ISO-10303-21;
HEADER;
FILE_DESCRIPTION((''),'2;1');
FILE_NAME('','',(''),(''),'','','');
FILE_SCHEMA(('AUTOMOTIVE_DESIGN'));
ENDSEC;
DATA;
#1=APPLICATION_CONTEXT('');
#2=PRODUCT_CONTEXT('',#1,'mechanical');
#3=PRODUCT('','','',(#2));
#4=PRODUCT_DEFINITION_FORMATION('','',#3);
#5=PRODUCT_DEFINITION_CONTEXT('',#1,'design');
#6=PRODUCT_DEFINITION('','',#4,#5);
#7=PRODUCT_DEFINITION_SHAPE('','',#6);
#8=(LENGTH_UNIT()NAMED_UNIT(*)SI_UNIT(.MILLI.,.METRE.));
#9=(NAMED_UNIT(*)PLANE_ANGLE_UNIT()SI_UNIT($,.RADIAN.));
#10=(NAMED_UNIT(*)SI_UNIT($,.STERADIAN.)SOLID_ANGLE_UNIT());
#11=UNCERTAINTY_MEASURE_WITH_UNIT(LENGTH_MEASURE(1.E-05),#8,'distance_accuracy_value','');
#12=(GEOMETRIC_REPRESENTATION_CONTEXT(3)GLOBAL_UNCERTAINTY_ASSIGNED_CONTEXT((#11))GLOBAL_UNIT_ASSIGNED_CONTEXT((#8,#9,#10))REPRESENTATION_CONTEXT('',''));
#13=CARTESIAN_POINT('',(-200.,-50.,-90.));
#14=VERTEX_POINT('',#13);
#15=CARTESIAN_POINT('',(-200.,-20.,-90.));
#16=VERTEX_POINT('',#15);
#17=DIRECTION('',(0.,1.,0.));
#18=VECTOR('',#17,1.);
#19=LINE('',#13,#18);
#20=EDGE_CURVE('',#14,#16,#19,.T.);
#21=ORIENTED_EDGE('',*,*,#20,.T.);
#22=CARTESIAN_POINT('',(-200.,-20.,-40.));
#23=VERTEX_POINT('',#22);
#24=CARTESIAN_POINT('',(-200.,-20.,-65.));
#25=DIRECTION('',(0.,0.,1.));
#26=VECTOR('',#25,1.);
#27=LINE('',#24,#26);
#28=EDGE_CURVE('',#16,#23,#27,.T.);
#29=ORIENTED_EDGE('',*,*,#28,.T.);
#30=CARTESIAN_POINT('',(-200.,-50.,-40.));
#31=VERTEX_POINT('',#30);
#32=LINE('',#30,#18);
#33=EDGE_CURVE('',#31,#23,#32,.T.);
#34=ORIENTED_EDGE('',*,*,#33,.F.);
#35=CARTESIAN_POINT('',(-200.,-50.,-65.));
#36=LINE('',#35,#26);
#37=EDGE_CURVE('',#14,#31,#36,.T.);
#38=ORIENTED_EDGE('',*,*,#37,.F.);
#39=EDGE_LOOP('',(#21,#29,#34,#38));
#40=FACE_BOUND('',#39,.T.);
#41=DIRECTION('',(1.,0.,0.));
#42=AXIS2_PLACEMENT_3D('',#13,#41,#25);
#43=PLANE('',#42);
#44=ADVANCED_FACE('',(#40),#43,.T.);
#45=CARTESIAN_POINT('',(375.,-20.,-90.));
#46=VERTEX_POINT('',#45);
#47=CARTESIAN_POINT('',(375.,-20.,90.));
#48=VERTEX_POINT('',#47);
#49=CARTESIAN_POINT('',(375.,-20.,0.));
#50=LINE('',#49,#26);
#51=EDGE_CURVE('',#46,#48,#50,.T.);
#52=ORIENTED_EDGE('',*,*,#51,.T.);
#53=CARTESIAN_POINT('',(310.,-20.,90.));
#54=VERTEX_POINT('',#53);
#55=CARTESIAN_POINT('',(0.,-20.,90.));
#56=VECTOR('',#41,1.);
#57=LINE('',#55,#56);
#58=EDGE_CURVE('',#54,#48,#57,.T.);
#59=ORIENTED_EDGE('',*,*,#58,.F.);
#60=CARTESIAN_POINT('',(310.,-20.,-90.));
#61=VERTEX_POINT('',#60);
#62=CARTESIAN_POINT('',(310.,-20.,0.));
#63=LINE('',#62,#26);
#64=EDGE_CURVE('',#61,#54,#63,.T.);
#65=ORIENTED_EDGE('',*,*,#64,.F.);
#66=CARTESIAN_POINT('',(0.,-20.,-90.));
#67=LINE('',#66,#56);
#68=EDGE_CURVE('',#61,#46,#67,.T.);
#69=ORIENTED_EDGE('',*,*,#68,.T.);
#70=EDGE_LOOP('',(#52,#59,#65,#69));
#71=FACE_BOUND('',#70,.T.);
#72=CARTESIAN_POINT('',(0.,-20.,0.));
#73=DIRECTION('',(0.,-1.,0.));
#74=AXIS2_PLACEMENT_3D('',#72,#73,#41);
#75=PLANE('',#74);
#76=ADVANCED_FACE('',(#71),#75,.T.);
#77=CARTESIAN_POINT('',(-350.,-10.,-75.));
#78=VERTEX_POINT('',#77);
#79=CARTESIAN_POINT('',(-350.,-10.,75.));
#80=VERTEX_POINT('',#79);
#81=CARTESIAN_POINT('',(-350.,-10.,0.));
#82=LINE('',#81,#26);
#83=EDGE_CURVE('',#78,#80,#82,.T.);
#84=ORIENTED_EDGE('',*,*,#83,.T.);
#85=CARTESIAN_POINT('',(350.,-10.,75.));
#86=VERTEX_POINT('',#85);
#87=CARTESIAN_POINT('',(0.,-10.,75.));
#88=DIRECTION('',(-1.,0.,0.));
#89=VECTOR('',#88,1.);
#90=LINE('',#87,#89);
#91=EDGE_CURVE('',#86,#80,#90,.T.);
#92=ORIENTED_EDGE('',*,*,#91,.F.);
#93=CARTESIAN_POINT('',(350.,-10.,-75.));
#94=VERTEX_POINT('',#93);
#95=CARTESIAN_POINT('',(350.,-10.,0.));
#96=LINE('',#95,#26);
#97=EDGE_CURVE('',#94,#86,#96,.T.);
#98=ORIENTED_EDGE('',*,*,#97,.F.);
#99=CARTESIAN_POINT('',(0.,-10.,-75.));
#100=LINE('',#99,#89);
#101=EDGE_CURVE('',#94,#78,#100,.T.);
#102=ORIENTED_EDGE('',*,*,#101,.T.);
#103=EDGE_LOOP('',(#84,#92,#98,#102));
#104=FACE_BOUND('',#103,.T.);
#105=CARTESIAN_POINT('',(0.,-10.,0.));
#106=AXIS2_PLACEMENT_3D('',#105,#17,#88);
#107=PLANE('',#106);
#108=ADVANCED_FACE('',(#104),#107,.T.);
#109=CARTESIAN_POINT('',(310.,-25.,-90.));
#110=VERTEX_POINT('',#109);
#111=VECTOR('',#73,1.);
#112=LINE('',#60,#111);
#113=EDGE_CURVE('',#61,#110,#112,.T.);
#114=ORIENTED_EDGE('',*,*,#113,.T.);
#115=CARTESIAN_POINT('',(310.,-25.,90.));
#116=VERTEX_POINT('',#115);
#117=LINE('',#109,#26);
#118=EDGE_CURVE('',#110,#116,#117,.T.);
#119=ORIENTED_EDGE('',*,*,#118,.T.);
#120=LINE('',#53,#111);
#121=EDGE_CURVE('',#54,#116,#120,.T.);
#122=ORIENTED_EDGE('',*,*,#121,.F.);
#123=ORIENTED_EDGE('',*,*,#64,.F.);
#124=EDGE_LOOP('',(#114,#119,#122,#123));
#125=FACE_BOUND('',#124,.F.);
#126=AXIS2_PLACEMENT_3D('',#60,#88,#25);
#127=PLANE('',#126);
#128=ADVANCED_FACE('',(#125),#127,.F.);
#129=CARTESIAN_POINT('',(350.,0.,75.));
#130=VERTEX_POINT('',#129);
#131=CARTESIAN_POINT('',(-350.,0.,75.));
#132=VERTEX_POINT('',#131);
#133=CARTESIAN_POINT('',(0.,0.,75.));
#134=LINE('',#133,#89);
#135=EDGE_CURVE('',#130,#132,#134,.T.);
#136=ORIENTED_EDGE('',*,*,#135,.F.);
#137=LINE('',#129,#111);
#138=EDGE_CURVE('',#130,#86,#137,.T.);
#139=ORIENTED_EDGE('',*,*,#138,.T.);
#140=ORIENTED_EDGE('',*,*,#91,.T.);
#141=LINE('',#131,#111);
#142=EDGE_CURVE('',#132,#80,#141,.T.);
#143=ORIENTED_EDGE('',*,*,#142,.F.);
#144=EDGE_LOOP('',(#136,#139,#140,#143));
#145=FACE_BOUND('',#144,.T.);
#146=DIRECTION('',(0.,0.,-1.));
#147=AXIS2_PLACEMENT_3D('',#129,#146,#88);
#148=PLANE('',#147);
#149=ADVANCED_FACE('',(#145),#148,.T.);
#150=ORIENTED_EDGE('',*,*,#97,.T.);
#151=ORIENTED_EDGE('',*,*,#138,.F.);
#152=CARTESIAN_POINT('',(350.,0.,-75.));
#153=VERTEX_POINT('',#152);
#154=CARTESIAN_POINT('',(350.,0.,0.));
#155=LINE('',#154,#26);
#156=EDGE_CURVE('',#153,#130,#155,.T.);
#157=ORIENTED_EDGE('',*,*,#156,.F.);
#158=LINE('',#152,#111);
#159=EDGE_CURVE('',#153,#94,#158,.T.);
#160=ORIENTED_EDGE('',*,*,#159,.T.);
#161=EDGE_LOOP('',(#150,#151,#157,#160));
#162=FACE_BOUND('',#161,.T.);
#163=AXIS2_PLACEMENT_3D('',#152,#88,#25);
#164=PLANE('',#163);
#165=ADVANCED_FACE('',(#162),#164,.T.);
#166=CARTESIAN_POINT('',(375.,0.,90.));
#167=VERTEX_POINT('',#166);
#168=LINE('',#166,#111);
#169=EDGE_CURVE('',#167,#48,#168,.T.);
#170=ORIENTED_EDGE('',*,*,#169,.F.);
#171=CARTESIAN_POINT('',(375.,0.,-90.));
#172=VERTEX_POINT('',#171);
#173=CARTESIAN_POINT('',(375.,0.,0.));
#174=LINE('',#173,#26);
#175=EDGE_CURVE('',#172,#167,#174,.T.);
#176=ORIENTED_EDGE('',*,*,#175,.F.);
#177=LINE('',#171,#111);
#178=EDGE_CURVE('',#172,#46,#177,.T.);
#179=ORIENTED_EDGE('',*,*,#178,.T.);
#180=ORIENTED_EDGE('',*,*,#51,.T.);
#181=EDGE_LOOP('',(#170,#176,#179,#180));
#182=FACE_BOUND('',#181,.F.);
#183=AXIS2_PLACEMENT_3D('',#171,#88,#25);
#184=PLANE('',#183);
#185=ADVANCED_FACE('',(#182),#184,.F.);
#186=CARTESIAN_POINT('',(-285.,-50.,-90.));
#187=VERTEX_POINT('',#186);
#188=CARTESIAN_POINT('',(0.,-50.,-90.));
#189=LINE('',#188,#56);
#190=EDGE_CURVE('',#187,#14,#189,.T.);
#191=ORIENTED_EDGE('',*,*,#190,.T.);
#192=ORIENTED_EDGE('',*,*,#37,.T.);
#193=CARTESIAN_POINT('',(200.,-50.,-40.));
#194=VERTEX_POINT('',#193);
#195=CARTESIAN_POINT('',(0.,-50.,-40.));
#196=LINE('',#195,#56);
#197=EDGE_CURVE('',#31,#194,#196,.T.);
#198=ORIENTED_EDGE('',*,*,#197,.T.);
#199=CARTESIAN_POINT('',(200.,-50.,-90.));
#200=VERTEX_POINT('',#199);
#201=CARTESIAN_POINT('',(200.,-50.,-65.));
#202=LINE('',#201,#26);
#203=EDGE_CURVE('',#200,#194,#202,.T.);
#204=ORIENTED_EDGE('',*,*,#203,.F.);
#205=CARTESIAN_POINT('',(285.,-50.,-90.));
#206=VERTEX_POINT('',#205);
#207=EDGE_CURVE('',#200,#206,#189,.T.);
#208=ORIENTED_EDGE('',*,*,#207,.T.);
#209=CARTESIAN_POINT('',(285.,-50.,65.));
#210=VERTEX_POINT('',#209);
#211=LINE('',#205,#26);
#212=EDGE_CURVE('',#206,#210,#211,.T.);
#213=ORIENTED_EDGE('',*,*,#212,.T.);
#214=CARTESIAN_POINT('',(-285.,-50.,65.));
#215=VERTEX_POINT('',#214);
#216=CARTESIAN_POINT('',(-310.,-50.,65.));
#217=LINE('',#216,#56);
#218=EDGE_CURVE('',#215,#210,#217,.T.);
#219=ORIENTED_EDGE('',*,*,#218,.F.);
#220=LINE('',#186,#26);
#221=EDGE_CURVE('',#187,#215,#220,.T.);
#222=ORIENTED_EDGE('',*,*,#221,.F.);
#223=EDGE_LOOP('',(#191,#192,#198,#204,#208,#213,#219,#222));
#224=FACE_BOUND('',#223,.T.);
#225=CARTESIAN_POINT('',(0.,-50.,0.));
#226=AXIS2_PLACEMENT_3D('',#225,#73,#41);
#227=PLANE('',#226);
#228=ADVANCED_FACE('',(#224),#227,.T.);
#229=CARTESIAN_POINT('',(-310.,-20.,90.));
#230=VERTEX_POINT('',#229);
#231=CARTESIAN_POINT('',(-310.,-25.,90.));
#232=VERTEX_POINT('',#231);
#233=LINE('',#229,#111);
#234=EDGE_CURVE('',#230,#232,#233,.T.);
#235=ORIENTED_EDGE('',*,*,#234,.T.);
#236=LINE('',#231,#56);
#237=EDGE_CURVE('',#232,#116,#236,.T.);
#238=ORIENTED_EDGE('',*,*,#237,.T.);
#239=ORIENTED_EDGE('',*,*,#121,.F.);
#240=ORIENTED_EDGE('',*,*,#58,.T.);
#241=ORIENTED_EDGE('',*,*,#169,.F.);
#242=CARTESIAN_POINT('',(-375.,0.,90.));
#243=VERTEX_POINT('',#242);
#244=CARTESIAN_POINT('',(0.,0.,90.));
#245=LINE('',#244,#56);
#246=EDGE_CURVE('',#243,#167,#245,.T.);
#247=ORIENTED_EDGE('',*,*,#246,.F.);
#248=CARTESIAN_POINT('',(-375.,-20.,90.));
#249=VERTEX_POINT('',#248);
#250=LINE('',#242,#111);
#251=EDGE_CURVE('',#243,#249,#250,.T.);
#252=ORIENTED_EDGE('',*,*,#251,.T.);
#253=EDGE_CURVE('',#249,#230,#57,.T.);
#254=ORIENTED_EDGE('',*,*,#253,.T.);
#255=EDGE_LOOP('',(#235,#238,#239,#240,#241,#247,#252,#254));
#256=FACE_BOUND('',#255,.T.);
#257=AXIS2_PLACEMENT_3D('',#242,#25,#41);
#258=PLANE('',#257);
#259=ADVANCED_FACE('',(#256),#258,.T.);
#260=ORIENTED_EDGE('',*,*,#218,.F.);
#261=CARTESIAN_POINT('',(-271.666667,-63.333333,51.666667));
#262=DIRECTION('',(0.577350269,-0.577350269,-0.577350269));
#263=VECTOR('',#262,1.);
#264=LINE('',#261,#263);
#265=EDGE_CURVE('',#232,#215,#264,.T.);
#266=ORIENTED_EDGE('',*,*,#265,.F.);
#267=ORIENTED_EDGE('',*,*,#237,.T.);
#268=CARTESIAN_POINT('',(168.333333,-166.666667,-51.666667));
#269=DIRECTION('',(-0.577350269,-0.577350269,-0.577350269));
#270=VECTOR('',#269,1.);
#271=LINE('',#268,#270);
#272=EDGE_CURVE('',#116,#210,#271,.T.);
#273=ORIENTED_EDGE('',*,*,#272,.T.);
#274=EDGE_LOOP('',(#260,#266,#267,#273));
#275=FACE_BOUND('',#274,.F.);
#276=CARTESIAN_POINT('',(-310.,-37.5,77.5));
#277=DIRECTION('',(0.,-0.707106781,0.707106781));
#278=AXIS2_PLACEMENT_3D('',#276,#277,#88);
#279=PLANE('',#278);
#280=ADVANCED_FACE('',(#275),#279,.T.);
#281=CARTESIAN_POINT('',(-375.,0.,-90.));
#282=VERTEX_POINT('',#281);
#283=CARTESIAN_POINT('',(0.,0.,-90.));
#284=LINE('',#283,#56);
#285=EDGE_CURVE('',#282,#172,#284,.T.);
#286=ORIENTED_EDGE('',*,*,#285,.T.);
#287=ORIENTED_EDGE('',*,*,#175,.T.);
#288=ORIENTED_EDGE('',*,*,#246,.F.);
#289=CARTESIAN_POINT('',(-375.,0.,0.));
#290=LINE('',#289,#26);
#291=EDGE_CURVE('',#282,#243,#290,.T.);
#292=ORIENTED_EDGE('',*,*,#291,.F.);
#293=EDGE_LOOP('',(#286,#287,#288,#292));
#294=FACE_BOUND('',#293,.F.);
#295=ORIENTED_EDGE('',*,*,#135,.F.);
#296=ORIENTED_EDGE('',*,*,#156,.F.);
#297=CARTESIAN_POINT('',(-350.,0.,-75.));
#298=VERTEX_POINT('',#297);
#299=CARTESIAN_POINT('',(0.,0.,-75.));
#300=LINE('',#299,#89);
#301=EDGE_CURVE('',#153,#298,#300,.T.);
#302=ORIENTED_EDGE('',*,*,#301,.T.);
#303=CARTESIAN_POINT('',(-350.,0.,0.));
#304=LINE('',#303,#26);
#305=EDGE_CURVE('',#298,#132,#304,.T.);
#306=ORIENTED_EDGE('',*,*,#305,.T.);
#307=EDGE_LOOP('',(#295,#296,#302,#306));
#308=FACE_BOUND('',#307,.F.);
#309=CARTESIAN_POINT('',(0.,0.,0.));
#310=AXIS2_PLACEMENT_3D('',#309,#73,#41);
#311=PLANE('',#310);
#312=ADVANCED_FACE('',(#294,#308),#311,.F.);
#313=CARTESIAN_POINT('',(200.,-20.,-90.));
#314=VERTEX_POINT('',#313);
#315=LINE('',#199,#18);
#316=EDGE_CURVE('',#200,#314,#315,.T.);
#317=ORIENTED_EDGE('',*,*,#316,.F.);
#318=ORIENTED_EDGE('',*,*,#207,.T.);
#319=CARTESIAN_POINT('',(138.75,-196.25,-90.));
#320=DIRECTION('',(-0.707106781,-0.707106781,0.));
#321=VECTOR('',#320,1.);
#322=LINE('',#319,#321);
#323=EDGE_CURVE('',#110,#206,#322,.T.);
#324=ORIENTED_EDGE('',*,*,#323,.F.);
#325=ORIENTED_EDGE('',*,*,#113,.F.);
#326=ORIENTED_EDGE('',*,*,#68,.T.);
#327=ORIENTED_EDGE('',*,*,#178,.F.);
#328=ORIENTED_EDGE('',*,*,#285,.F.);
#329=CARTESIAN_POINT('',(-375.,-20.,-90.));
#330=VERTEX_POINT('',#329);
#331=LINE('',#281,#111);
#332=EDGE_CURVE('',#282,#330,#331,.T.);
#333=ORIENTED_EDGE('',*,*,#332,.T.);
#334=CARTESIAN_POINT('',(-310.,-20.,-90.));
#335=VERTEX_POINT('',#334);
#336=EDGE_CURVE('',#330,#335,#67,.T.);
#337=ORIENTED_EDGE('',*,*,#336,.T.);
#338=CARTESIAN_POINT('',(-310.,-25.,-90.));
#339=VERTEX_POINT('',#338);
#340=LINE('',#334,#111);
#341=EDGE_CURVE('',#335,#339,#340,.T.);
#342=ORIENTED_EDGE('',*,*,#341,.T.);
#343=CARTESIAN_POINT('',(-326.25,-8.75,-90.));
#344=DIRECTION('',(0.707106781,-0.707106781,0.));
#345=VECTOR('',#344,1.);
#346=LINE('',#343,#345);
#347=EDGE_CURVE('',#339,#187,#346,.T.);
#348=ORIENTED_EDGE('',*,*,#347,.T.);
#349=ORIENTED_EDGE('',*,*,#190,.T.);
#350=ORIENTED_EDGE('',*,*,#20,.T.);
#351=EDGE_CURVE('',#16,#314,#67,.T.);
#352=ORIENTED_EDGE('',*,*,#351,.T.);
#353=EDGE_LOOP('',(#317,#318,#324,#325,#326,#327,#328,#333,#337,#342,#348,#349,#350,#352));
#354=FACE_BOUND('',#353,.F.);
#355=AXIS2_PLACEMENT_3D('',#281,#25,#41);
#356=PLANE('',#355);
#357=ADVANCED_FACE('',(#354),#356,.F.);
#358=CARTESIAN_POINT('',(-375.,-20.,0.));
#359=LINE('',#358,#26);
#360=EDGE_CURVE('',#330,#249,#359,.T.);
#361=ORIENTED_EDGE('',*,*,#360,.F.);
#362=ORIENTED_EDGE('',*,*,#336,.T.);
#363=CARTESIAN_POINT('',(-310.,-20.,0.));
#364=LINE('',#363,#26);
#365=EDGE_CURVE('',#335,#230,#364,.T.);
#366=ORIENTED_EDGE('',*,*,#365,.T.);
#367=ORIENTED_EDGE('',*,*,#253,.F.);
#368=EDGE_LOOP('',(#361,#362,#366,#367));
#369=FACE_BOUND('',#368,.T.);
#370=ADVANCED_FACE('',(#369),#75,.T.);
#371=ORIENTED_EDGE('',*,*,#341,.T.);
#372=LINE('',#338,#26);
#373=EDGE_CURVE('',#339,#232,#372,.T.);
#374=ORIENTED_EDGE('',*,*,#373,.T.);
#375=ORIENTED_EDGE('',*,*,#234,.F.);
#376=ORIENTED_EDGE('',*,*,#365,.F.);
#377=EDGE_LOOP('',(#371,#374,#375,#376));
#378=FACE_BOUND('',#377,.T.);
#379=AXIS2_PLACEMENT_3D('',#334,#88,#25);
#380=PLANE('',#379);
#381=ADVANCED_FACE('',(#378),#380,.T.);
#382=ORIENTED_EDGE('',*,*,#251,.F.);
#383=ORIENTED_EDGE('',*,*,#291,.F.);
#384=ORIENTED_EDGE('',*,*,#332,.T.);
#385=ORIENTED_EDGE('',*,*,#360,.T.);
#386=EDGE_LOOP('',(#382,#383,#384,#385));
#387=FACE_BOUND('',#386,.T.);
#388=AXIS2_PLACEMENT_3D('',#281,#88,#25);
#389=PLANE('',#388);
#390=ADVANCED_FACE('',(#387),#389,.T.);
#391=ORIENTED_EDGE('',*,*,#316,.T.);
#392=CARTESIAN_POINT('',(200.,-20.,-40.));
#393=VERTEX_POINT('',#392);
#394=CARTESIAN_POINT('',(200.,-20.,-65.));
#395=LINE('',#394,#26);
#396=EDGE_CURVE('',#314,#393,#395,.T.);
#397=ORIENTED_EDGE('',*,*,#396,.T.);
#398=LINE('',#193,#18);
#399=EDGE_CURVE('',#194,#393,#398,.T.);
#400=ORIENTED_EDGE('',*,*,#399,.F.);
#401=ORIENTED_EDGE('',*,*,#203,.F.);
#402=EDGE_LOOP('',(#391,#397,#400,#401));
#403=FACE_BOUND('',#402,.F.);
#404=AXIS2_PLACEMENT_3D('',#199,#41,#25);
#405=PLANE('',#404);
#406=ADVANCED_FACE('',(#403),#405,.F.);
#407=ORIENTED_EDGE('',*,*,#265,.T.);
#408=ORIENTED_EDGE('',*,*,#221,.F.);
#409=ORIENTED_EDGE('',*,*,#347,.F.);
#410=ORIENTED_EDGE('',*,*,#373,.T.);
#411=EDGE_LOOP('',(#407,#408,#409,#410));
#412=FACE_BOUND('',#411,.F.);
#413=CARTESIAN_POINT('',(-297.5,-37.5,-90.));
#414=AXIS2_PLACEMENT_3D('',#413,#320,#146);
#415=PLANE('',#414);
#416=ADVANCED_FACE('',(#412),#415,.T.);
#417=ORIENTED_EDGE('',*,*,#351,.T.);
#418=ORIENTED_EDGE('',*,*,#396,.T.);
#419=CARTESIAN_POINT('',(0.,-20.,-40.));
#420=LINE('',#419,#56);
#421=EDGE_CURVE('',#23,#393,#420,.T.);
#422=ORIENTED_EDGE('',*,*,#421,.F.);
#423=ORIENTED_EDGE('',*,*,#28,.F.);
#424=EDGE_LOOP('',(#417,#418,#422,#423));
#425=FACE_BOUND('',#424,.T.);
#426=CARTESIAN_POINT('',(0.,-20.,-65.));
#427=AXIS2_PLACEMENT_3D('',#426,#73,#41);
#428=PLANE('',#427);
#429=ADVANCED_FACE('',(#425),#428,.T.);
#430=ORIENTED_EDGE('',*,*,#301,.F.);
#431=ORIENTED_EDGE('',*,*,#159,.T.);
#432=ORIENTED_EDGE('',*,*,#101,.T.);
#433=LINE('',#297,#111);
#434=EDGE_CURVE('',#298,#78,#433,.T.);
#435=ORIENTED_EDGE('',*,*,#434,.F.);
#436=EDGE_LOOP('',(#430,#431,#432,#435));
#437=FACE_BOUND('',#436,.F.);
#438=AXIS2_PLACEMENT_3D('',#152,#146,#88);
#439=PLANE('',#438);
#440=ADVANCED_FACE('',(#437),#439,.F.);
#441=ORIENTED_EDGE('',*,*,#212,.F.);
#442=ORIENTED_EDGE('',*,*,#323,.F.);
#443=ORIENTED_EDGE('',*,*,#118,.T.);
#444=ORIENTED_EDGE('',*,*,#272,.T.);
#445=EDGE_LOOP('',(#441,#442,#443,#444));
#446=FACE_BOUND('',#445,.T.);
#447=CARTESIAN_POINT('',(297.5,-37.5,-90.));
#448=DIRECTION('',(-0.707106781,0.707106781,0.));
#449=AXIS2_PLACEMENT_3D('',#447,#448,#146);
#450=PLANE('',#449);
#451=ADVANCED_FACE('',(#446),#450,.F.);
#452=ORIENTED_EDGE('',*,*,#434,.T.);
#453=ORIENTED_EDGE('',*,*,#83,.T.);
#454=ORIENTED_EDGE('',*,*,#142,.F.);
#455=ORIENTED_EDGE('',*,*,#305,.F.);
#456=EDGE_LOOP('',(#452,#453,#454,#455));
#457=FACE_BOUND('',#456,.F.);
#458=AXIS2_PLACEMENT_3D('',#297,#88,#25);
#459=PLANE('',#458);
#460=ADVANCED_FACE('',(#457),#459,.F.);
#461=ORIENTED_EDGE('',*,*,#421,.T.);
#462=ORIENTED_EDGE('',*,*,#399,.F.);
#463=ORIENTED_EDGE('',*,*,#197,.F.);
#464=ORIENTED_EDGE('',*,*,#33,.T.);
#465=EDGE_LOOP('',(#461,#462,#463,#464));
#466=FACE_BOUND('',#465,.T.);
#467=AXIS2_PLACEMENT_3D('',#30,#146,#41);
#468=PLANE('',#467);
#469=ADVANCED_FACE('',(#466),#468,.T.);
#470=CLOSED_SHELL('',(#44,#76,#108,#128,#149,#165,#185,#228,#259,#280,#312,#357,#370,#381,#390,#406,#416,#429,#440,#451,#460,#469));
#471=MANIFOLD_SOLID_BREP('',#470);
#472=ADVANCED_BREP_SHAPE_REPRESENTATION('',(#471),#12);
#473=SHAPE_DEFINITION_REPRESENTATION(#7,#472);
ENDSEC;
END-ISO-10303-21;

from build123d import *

# Parameters (mm, degrees)
F0_W     = 750
F0_H     = 180
F1_DEPTH = 20
F2_W     = 620
F2_H     = 180
F3_DEPTH = 30
F4_SIZE  = 25
F5_W     = 400
F5_H     = 50
F6_DEPTH = 30
F7_W     = 700
F7_H     = 150
F8_DEPTH = 10


with BuildPart() as f1:
    # F0 (on Front) → F1 (new body)
    with BuildSketch(Plane.XZ):
        Rectangle(F0_W, F0_H)
    extrude(amount=F1_DEPTH)

    # F2 (on face) → F3 (join)
    with BuildSketch(Plane.XZ.offset(20)):
        Rectangle(F2_W, F2_H)
    extrude(amount=F3_DEPTH)

    # F4
    f4_edges = [f1.edges().sort_by_distance(p)[0] for p in [
        (0, -50, 90),
        (-310, -50, 0),
        (310, -50, 0),
    ]]
    chamfer(f4_edges, length=F4_SIZE)

    # F5 (on face) → F6 (cut)
    with BuildSketch(Plane.XZ.offset(50)):
        with Locations((0, -65)):
            Rectangle(F5_W, F5_H)
    extrude(amount=-F6_DEPTH, mode=Mode.SUBTRACT)

    # F7 (on face) → F8 (cut)
    with BuildSketch(Plane(origin=(0, 0, 0), x_dir=(-1, 0, 0), z_dir=(0, 1, 0))):
        Rectangle(F7_W, F7_H)
    extrude(amount=-F8_DEPTH, mode=Mode.SUBTRACT)


solid = f1.part
